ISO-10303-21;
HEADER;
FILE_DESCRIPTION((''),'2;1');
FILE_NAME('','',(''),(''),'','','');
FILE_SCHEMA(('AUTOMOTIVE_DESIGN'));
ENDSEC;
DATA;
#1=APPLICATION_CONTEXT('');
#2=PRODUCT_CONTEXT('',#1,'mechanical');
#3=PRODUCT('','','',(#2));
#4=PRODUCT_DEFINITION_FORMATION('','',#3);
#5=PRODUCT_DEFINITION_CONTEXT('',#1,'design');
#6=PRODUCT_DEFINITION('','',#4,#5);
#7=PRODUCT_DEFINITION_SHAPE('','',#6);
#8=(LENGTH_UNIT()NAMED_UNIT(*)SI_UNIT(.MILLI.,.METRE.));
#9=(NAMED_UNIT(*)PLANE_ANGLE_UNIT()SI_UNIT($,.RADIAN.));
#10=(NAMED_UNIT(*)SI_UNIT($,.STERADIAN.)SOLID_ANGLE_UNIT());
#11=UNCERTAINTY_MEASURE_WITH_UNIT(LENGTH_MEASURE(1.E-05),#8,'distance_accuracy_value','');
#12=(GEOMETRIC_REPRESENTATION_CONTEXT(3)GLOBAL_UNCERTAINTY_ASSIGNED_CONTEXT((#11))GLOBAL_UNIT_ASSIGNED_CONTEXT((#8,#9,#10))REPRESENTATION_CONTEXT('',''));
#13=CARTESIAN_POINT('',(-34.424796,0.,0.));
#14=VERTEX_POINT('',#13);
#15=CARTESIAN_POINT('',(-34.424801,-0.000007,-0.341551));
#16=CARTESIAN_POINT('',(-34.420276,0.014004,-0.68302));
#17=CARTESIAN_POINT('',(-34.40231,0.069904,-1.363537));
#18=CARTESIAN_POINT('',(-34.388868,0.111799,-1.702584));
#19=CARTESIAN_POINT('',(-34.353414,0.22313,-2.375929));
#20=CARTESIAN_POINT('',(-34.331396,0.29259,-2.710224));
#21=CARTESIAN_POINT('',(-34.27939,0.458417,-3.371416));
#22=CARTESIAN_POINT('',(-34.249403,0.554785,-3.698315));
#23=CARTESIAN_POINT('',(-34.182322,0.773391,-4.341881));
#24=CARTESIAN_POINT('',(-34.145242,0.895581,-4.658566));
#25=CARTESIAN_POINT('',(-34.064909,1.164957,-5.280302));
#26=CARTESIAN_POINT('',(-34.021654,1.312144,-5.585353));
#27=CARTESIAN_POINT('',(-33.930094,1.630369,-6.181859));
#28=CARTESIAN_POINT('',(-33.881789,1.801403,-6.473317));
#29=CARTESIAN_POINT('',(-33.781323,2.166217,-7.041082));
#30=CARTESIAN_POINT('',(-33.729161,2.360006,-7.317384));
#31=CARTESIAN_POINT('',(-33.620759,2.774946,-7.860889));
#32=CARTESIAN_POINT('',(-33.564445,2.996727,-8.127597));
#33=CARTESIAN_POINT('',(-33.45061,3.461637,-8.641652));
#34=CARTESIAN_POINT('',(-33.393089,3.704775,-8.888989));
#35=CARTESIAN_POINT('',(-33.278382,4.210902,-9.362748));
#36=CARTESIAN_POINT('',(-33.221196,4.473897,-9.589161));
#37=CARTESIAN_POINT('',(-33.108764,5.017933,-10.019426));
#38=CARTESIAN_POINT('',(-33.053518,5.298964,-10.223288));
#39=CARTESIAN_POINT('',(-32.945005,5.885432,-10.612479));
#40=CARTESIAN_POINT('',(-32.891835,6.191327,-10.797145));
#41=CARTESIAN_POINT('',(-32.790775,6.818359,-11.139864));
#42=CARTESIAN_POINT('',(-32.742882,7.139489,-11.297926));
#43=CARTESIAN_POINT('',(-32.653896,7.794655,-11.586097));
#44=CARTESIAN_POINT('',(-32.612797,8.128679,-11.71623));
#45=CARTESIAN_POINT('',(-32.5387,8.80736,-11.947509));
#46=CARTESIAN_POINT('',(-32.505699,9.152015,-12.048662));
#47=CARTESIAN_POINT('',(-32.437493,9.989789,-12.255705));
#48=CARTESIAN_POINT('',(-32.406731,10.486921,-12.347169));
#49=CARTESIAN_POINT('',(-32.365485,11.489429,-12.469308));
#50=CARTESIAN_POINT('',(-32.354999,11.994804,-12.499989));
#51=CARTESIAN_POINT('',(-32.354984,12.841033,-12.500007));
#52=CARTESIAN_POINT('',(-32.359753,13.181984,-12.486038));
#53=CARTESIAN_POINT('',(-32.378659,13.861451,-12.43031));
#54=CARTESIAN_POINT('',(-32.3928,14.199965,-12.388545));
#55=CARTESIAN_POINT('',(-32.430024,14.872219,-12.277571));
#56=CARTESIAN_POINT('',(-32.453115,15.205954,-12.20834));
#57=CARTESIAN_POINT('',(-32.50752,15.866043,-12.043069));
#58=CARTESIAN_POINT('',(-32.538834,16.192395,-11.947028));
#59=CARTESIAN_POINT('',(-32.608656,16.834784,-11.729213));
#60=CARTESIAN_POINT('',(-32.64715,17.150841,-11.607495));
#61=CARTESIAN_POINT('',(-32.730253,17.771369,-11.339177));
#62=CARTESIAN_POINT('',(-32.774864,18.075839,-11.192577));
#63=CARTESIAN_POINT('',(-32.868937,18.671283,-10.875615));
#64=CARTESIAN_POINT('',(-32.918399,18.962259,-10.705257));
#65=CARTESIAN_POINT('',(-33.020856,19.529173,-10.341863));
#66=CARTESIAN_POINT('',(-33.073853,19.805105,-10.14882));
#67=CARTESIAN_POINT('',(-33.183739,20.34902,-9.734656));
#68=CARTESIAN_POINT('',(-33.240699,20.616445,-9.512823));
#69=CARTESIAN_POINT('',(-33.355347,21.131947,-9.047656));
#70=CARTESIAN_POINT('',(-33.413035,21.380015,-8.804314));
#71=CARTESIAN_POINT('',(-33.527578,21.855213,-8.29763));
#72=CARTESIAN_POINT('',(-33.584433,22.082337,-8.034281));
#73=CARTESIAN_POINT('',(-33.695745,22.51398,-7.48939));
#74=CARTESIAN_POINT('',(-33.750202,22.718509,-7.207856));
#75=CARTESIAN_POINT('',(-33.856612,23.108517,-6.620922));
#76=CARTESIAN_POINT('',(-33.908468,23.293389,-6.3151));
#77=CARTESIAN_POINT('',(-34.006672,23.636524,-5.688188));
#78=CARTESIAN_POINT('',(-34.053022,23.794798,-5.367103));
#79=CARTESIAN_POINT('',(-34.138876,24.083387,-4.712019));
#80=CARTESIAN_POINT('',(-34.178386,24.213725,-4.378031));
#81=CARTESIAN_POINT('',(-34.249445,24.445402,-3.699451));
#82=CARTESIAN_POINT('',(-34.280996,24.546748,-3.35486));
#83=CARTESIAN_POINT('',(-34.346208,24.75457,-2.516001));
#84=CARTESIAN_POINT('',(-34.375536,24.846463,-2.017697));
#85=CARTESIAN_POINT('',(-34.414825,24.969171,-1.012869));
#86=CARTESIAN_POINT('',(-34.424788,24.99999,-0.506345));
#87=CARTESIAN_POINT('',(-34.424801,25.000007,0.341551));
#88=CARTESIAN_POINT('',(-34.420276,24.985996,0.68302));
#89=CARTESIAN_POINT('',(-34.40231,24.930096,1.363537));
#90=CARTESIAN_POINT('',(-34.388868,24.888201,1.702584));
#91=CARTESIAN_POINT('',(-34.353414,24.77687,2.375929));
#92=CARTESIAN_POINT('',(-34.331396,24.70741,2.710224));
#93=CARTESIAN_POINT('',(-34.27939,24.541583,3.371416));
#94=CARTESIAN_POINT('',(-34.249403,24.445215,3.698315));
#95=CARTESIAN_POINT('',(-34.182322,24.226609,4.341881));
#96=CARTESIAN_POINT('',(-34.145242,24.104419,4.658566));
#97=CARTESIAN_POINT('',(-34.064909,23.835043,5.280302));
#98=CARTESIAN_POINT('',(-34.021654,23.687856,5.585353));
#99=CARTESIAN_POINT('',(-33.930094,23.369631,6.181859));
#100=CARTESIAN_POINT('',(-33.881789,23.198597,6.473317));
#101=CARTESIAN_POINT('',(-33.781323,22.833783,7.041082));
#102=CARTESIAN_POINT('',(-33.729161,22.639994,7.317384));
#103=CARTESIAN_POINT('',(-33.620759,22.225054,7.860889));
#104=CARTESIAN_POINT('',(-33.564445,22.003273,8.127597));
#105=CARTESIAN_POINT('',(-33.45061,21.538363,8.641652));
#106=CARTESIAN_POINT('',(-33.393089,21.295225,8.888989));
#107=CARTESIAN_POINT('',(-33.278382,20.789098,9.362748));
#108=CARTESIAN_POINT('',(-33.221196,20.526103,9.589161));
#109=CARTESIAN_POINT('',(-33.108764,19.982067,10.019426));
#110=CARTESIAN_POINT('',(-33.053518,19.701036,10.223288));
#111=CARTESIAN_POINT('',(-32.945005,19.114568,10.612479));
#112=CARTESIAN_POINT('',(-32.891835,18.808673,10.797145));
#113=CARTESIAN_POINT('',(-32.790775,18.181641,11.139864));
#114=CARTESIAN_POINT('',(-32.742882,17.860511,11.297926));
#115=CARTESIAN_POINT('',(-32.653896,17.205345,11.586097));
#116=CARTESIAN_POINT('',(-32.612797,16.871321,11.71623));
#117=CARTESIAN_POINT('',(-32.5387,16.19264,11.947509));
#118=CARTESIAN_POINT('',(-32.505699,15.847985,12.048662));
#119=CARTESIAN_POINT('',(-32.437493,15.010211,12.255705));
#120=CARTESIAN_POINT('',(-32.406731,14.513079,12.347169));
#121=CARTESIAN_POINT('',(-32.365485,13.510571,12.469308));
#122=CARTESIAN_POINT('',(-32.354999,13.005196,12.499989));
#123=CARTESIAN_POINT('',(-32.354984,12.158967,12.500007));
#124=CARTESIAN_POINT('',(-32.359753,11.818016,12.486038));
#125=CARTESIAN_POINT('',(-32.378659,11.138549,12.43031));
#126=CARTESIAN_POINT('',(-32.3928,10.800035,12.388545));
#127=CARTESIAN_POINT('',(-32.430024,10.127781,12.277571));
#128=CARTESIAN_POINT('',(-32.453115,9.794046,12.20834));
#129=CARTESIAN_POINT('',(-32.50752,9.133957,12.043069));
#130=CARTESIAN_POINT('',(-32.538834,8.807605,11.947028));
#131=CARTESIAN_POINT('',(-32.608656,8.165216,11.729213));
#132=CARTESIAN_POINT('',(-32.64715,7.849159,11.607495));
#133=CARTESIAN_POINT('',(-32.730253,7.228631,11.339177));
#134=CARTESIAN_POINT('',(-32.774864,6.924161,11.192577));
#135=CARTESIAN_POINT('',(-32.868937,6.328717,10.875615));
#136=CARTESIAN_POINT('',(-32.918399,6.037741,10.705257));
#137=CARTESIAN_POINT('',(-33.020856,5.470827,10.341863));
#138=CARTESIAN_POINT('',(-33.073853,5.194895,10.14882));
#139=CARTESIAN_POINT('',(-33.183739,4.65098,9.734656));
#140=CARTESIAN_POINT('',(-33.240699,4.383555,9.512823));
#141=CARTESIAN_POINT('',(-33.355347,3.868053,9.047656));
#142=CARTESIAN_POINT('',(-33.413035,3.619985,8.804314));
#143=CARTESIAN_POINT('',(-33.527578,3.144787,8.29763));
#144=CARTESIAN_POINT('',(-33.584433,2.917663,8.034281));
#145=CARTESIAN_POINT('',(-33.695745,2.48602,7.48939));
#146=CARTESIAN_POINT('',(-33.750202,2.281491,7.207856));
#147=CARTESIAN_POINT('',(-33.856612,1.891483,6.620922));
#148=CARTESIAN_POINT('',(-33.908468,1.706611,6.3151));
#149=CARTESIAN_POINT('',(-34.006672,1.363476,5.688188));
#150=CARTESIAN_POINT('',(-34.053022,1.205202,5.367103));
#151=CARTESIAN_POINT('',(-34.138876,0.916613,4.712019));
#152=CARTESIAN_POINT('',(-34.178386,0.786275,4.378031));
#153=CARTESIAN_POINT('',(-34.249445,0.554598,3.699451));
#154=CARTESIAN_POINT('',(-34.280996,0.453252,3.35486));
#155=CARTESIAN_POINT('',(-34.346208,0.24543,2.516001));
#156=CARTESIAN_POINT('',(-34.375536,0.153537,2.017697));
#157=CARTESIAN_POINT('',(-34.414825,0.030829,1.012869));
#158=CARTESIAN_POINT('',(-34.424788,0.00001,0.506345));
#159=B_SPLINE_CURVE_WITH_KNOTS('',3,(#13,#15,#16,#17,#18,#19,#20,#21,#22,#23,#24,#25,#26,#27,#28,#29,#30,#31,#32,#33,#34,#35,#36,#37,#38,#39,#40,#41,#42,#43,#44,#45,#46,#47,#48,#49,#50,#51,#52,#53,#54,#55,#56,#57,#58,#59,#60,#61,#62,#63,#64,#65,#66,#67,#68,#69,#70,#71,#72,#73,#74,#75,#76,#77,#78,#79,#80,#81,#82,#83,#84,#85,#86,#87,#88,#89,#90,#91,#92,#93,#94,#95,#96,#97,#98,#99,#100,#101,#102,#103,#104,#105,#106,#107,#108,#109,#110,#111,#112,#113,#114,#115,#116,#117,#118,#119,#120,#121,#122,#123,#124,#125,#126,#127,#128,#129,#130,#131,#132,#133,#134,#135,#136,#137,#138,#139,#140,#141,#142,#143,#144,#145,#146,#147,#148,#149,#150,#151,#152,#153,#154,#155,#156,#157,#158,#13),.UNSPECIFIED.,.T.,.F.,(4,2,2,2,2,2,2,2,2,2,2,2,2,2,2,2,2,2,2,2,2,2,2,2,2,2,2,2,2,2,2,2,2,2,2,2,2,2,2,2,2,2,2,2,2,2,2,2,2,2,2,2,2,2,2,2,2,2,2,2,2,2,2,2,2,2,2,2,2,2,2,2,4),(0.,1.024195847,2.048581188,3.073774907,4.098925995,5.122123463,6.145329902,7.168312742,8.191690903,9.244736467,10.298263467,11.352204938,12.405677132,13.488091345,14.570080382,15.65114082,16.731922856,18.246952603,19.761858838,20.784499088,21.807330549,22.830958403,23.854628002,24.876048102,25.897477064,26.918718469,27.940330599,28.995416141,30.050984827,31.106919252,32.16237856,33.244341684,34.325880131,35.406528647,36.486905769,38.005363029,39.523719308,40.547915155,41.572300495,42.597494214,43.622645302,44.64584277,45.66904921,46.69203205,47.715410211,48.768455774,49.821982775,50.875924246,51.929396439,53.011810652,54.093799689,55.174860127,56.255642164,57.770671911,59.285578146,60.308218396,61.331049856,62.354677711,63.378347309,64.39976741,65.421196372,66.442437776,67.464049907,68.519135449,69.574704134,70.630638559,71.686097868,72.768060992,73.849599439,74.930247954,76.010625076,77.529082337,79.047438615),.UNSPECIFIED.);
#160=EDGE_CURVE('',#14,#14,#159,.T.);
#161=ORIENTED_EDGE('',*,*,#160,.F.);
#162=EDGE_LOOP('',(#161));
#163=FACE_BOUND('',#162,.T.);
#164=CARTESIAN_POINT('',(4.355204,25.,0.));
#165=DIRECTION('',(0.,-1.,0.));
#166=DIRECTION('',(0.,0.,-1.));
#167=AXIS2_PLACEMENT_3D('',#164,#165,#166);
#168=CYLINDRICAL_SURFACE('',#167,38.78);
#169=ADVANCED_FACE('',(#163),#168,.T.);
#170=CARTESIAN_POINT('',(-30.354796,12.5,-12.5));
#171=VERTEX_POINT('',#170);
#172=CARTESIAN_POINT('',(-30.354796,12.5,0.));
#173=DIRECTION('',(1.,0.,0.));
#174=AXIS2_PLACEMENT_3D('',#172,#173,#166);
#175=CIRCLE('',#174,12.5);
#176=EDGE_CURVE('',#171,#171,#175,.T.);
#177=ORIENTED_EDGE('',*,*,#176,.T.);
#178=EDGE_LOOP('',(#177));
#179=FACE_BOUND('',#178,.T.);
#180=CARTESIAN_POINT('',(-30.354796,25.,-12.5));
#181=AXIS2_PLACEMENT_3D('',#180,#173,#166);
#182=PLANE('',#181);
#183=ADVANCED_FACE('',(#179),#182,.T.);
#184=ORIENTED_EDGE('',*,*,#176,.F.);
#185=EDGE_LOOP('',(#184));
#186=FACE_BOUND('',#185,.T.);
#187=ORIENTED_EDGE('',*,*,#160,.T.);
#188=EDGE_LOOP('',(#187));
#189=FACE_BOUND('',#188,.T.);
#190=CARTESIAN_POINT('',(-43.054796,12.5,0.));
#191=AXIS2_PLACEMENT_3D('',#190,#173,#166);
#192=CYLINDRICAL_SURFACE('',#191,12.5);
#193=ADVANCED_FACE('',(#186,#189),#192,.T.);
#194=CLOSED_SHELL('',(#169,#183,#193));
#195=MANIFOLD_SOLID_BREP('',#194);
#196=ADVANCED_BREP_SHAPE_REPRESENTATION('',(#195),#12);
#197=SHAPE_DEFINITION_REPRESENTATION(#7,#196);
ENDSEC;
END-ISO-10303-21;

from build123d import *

# Parameters (mm, degrees)
EXTRUDE_1_DEPTH     = 25
CUT_EXTRUDE_8_DEPTH = 12.7


with BuildPart() as part:
    # 草图1 → 凸台-拉伸1 (new body)
    with BuildSketch(Plane(origin=(0, 0, 0), x_dir=(1, 0, 0), z_dir=(0, 1, 0))):
        with BuildLine():
            Line((-32.354990434, 12.5), (-30.354795665, 12.5))
            Line((-30.354795665, 12.5), (-30.354795665, -12.5))
            Line((-30.354795665, -12.5), (-32.354990434, -12.5))
            ThreePointArc((-32.354990434, -12.5), (-34.424795665, 0), (-32.354990434, 12.5))
        make_face()
    extrude(amount=EXTRUDE_1_DEPTH)

    # 草图2 → 切除-拉伸8 (cut)
    with BuildSketch(Plane(origin=(-30.354795665, 0, 0), x_dir=(0, 0, -1), z_dir=(1, 0, 0))):
        with BuildLine():
            Line((-12.5, 25), (-12.5, 12.5))
            ThreePointArc((-12.5, 12.5), (-8.838834765, 21.338834765), (0, 25))
            Line((0, 25), (-12.5, 25))
        make_face()
        with BuildLine():
            ThreePointArc((0, 25), (8.838834765, 21.338834765), (12.5, 12.5))
            Line((12.5, 12.5), (12.5, 25))
            Line((12.5, 25), (0, 25))
        make_face()
        with BuildLine():
            ThreePointArc((12.5, 12.5), (8.838834765, 3.661165235), (0, 0))
            Line((0, 0), (12.5, 0))
            Line((12.5, 0), (12.5, 12.5))
        make_face()
        with BuildLine():
            Line((-12.5, 12.5), (-12.5, 0))
            Line((-12.5, 0), (0, 0))
            ThreePointArc((0, 0), (-8.838834765, 3.661165235), (-12.5, 12.5))
        make_face()
    extrude(amount=-CUT_EXTRUDE_8_DEPTH, mode=Mode.SUBTRACT)


solid = part.part
